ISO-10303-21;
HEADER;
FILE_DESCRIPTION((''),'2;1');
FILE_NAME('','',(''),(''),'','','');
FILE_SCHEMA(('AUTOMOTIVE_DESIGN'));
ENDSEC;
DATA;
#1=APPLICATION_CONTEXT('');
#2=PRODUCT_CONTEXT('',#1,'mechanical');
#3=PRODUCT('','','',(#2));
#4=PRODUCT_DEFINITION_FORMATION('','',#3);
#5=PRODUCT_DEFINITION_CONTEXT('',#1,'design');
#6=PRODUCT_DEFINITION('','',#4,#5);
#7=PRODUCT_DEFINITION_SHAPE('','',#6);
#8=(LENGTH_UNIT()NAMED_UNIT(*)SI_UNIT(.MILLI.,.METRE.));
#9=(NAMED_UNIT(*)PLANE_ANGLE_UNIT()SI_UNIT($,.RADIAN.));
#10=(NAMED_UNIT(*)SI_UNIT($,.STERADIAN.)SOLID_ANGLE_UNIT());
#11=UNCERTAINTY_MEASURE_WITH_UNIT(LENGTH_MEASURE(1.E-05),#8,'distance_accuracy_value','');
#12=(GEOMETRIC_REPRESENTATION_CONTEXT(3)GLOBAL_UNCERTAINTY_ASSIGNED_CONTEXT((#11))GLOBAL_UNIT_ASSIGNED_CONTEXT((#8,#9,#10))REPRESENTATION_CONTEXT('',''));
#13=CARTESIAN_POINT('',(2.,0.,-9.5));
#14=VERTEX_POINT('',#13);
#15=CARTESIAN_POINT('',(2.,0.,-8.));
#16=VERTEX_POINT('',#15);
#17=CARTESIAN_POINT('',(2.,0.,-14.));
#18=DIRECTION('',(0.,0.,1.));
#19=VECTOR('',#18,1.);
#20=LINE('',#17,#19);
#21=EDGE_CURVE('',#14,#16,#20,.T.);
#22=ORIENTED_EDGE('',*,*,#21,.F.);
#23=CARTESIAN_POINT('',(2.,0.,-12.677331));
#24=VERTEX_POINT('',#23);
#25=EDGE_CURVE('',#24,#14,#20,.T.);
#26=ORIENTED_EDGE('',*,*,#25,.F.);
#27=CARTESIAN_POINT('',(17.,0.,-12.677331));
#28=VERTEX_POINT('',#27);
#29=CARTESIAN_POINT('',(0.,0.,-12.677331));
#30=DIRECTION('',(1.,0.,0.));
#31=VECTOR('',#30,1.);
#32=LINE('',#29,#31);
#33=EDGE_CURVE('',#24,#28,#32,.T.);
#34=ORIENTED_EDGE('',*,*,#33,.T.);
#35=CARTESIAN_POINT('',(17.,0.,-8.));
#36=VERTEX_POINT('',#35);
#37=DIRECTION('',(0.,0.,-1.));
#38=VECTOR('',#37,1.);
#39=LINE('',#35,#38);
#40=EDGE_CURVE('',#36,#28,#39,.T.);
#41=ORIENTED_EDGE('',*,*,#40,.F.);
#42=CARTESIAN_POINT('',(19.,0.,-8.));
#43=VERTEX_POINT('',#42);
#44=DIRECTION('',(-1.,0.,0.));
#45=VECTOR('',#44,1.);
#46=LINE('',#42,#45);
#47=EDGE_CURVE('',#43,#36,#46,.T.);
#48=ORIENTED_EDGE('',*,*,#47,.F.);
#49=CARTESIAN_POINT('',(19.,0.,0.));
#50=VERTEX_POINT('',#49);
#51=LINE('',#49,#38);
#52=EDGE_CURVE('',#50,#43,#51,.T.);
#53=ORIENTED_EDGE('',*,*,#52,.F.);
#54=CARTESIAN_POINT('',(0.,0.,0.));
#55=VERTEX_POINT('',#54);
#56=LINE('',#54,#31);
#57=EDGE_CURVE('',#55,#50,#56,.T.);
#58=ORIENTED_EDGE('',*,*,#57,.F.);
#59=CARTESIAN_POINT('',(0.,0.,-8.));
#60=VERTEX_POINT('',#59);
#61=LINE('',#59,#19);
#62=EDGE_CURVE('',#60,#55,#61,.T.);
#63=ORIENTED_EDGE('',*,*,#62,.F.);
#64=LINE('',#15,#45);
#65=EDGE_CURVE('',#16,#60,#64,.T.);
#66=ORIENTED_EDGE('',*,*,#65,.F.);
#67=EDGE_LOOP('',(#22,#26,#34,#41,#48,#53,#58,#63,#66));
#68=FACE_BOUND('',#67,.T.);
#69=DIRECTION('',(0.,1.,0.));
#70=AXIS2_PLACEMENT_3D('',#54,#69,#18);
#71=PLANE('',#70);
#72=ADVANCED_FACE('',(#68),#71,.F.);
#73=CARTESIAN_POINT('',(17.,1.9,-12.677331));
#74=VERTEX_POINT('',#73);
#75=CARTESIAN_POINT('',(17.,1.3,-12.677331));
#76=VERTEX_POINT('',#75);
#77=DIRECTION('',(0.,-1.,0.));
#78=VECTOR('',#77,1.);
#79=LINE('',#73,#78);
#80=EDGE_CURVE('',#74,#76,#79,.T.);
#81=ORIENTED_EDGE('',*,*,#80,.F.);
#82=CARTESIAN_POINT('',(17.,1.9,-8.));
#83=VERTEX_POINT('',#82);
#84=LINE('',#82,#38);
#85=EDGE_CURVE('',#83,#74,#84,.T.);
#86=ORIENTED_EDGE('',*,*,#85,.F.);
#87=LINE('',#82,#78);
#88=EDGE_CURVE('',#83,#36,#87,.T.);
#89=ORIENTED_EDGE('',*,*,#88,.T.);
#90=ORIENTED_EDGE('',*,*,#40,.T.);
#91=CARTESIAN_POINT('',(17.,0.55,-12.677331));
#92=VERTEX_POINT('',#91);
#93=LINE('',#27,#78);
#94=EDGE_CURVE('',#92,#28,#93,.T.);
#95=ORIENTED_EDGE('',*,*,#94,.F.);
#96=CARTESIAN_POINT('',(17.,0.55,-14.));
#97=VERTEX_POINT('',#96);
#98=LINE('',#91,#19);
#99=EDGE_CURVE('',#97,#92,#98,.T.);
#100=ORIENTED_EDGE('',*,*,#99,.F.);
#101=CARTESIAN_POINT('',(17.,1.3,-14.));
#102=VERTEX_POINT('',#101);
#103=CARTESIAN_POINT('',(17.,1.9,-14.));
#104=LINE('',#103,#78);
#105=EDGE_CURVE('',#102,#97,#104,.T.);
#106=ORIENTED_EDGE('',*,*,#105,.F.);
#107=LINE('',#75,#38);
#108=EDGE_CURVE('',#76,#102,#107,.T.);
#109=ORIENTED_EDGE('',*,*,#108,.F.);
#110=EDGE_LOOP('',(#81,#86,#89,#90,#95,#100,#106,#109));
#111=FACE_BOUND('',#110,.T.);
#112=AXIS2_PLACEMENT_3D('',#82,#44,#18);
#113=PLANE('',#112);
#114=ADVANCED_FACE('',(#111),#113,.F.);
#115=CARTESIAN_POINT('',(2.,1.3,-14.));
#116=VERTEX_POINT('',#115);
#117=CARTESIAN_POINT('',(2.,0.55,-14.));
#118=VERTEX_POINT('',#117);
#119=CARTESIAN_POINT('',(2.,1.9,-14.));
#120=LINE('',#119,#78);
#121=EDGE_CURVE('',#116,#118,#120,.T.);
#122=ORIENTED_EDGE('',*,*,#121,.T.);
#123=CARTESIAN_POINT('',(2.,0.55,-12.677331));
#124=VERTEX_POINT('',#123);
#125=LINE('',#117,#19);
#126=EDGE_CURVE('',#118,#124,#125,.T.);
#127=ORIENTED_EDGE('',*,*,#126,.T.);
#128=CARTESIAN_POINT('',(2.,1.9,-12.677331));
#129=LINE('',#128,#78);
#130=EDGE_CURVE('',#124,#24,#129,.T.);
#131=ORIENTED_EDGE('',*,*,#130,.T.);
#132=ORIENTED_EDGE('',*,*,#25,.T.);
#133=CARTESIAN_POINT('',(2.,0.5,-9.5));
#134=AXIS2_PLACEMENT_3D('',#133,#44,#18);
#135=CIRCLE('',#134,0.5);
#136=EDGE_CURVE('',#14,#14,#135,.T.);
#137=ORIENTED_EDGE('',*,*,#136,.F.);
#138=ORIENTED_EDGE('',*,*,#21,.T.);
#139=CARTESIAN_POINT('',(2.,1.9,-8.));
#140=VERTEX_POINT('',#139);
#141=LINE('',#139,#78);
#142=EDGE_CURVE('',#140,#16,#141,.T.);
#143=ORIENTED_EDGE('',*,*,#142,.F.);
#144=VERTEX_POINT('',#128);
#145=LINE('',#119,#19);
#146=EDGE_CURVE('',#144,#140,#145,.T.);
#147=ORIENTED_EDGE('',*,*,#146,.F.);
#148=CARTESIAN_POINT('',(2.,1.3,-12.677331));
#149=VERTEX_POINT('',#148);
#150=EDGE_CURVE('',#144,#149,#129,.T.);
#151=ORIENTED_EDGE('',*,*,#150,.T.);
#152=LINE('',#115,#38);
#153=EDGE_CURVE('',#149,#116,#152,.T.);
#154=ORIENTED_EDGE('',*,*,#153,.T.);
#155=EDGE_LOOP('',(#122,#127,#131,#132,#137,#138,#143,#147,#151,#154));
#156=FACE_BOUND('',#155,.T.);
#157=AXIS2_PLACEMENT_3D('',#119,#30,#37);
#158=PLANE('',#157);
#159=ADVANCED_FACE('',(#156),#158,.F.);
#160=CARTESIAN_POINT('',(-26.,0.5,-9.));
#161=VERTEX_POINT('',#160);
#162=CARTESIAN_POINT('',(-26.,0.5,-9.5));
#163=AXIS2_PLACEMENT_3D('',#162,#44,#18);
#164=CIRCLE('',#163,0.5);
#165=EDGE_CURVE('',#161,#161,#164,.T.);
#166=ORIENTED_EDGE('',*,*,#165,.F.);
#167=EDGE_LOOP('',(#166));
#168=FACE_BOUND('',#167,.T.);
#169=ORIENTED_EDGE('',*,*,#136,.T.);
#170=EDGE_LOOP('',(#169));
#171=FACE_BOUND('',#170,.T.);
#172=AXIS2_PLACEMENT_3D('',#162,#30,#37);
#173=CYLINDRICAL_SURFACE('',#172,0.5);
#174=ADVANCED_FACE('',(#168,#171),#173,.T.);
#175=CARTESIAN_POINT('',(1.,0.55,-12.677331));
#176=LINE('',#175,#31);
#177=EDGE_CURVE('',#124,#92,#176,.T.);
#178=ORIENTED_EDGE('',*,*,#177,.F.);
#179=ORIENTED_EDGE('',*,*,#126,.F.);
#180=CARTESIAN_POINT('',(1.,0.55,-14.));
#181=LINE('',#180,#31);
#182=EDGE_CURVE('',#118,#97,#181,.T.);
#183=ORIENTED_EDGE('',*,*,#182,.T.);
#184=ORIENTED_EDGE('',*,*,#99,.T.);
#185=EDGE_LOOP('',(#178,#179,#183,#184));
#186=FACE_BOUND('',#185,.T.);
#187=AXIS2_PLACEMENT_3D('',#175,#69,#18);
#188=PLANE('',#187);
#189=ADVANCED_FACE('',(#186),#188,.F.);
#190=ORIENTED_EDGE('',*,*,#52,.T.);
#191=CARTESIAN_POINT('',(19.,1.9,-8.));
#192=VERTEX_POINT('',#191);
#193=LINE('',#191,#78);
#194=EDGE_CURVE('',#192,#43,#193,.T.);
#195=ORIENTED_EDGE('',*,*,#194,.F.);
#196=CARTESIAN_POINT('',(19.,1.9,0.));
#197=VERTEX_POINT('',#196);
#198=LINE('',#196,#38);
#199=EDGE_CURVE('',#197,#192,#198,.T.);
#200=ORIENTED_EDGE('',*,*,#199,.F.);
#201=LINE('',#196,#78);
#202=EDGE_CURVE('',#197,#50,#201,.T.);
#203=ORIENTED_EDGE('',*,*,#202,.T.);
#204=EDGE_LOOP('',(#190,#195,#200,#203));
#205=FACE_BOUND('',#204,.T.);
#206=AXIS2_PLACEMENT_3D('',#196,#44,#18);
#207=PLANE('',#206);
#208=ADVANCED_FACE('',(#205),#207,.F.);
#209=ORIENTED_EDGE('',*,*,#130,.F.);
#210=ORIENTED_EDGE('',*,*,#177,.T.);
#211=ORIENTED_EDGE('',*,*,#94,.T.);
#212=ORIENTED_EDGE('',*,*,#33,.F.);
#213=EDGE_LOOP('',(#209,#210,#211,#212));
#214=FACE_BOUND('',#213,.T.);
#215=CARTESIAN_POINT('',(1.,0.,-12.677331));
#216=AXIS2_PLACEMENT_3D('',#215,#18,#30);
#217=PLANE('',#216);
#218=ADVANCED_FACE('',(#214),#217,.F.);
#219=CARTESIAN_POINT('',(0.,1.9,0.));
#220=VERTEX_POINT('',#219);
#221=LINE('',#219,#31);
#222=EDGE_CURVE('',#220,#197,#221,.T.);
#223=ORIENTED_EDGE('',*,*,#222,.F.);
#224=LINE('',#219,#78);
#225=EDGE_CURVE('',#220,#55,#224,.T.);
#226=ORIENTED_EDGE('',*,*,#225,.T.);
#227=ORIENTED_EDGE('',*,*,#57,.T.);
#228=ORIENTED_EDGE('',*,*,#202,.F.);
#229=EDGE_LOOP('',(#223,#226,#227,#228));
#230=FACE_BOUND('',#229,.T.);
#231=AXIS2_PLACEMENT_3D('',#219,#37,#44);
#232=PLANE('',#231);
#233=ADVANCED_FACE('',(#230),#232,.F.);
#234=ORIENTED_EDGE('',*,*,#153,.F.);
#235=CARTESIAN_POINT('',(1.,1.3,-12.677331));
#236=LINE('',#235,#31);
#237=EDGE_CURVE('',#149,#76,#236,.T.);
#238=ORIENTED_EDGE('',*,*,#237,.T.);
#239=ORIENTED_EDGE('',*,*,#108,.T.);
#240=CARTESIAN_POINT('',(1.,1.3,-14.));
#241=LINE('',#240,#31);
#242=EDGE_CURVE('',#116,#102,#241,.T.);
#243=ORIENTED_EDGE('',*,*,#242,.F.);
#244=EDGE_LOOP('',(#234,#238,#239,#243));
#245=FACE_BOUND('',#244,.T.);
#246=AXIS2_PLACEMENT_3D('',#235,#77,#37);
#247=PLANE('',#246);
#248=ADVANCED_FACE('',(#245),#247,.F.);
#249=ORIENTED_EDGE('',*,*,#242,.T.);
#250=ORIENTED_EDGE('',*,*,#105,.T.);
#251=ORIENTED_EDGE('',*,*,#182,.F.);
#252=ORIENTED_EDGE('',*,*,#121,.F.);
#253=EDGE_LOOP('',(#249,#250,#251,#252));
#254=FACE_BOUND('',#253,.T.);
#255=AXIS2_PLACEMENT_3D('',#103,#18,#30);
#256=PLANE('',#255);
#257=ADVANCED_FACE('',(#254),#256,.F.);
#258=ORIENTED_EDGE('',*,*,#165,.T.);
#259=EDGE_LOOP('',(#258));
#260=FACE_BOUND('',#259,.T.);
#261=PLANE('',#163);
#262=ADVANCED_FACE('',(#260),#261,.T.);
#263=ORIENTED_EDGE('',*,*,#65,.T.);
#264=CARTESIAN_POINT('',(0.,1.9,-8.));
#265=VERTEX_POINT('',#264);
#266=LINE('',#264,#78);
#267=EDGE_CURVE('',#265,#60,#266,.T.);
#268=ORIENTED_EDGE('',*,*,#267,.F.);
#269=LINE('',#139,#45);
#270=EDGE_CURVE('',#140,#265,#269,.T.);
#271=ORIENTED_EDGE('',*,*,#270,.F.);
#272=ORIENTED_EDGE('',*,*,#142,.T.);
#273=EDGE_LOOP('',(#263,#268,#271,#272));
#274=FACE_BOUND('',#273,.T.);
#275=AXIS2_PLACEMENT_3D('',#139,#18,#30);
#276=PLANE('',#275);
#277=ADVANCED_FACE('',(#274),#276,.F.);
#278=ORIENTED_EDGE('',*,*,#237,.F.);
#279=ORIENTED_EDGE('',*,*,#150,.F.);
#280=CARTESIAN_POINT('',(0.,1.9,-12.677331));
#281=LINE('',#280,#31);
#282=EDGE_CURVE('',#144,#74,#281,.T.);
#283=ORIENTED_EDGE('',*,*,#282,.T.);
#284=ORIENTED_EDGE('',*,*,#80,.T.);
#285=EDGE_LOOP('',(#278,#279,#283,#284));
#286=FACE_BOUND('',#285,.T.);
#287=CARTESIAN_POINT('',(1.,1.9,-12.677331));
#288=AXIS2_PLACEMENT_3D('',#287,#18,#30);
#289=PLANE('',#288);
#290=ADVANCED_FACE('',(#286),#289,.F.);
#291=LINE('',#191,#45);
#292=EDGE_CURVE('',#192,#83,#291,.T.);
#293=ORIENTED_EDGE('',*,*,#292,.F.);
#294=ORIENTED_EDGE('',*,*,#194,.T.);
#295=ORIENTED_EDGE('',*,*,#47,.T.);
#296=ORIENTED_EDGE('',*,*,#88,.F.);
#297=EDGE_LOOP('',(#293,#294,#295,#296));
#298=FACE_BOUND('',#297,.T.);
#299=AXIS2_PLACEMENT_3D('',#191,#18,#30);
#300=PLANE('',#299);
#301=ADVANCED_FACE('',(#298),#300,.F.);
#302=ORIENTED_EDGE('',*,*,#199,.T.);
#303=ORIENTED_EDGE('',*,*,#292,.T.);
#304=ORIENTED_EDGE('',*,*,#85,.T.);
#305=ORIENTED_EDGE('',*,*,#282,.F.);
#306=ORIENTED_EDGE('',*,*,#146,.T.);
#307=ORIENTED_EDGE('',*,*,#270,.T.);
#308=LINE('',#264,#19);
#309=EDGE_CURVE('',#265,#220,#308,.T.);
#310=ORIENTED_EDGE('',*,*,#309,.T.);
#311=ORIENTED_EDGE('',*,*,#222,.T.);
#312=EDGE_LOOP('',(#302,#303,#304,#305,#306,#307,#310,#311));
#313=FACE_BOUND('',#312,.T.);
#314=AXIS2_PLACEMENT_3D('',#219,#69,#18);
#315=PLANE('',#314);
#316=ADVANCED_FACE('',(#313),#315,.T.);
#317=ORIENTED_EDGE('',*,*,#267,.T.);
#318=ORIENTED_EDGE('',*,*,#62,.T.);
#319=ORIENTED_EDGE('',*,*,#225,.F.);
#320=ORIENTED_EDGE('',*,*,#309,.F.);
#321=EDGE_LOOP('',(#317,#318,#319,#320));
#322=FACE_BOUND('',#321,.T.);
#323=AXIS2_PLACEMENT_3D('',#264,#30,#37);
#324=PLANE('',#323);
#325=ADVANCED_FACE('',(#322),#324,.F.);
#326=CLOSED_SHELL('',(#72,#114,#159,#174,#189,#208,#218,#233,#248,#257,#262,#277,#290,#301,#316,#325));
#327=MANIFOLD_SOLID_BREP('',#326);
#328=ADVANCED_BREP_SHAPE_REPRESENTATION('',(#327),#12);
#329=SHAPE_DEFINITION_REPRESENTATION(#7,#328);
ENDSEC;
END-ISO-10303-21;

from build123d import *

# Parameters (mm, degrees)
AUFSATZ_LINEAR_AUSTRAGEN1_DEPTH = 1.9
SKIZZE4_R                       = 0.5
AUFSATZ_LINEAR_AUSTRAGEN3_DEPTH = 28
SKIZZE5_W                       = 1.322669318
SKIZZE5_H                       = 0.6
SKIZZE5_H_2                     = 0.55
SCHNITT_LINEAR_AUSTRAGEN1_DEPTH = 16


with BuildPart() as part:
    # Skizze1 → Aufsatz-Linear austragen1 (new body)
    with BuildSketch(Plane(origin=(0, 0, 0), x_dir=(1, 0, 0), z_dir=(0, 1, 0))):
        Polygon((0, 0), (19, 0), (19, 8), (17, 8), (17, 14), (2, 14), (2, 8), (0, 8), align=None)
    extrude(amount=AUFSATZ_LINEAR_AUSTRAGEN1_DEPTH)

    # Skizze4 → Aufsatz-Linear austragen3 (add)
    with BuildSketch(Plane.ZY.offset(-2)):
        with Locations(Location((-9.5, 0.5, 0), (0, 0, 270))):
            Circle(SKIZZE4_R)
    extrude(amount=AUFSATZ_LINEAR_AUSTRAGEN3_DEPTH)

    # Skizze5 → Schnitt-Linear austragen1 (cut)
    with BuildSketch(Plane(origin=(17, 0, 0), x_dir=(0, 0, -1), z_dir=(1, 0, 0))):
        with Locations((13.338665341, 1.6)):
            Rectangle(SKIZZE5_W, SKIZZE5_H)
        with Locations((13.338665341, 0.275)):
            Rectangle(SKIZZE5_W, SKIZZE5_H_2)
    extrude(amount=-SCHNITT_LINEAR_AUSTRAGEN1_DEPTH, mode=Mode.SUBTRACT)


solid = part.part
